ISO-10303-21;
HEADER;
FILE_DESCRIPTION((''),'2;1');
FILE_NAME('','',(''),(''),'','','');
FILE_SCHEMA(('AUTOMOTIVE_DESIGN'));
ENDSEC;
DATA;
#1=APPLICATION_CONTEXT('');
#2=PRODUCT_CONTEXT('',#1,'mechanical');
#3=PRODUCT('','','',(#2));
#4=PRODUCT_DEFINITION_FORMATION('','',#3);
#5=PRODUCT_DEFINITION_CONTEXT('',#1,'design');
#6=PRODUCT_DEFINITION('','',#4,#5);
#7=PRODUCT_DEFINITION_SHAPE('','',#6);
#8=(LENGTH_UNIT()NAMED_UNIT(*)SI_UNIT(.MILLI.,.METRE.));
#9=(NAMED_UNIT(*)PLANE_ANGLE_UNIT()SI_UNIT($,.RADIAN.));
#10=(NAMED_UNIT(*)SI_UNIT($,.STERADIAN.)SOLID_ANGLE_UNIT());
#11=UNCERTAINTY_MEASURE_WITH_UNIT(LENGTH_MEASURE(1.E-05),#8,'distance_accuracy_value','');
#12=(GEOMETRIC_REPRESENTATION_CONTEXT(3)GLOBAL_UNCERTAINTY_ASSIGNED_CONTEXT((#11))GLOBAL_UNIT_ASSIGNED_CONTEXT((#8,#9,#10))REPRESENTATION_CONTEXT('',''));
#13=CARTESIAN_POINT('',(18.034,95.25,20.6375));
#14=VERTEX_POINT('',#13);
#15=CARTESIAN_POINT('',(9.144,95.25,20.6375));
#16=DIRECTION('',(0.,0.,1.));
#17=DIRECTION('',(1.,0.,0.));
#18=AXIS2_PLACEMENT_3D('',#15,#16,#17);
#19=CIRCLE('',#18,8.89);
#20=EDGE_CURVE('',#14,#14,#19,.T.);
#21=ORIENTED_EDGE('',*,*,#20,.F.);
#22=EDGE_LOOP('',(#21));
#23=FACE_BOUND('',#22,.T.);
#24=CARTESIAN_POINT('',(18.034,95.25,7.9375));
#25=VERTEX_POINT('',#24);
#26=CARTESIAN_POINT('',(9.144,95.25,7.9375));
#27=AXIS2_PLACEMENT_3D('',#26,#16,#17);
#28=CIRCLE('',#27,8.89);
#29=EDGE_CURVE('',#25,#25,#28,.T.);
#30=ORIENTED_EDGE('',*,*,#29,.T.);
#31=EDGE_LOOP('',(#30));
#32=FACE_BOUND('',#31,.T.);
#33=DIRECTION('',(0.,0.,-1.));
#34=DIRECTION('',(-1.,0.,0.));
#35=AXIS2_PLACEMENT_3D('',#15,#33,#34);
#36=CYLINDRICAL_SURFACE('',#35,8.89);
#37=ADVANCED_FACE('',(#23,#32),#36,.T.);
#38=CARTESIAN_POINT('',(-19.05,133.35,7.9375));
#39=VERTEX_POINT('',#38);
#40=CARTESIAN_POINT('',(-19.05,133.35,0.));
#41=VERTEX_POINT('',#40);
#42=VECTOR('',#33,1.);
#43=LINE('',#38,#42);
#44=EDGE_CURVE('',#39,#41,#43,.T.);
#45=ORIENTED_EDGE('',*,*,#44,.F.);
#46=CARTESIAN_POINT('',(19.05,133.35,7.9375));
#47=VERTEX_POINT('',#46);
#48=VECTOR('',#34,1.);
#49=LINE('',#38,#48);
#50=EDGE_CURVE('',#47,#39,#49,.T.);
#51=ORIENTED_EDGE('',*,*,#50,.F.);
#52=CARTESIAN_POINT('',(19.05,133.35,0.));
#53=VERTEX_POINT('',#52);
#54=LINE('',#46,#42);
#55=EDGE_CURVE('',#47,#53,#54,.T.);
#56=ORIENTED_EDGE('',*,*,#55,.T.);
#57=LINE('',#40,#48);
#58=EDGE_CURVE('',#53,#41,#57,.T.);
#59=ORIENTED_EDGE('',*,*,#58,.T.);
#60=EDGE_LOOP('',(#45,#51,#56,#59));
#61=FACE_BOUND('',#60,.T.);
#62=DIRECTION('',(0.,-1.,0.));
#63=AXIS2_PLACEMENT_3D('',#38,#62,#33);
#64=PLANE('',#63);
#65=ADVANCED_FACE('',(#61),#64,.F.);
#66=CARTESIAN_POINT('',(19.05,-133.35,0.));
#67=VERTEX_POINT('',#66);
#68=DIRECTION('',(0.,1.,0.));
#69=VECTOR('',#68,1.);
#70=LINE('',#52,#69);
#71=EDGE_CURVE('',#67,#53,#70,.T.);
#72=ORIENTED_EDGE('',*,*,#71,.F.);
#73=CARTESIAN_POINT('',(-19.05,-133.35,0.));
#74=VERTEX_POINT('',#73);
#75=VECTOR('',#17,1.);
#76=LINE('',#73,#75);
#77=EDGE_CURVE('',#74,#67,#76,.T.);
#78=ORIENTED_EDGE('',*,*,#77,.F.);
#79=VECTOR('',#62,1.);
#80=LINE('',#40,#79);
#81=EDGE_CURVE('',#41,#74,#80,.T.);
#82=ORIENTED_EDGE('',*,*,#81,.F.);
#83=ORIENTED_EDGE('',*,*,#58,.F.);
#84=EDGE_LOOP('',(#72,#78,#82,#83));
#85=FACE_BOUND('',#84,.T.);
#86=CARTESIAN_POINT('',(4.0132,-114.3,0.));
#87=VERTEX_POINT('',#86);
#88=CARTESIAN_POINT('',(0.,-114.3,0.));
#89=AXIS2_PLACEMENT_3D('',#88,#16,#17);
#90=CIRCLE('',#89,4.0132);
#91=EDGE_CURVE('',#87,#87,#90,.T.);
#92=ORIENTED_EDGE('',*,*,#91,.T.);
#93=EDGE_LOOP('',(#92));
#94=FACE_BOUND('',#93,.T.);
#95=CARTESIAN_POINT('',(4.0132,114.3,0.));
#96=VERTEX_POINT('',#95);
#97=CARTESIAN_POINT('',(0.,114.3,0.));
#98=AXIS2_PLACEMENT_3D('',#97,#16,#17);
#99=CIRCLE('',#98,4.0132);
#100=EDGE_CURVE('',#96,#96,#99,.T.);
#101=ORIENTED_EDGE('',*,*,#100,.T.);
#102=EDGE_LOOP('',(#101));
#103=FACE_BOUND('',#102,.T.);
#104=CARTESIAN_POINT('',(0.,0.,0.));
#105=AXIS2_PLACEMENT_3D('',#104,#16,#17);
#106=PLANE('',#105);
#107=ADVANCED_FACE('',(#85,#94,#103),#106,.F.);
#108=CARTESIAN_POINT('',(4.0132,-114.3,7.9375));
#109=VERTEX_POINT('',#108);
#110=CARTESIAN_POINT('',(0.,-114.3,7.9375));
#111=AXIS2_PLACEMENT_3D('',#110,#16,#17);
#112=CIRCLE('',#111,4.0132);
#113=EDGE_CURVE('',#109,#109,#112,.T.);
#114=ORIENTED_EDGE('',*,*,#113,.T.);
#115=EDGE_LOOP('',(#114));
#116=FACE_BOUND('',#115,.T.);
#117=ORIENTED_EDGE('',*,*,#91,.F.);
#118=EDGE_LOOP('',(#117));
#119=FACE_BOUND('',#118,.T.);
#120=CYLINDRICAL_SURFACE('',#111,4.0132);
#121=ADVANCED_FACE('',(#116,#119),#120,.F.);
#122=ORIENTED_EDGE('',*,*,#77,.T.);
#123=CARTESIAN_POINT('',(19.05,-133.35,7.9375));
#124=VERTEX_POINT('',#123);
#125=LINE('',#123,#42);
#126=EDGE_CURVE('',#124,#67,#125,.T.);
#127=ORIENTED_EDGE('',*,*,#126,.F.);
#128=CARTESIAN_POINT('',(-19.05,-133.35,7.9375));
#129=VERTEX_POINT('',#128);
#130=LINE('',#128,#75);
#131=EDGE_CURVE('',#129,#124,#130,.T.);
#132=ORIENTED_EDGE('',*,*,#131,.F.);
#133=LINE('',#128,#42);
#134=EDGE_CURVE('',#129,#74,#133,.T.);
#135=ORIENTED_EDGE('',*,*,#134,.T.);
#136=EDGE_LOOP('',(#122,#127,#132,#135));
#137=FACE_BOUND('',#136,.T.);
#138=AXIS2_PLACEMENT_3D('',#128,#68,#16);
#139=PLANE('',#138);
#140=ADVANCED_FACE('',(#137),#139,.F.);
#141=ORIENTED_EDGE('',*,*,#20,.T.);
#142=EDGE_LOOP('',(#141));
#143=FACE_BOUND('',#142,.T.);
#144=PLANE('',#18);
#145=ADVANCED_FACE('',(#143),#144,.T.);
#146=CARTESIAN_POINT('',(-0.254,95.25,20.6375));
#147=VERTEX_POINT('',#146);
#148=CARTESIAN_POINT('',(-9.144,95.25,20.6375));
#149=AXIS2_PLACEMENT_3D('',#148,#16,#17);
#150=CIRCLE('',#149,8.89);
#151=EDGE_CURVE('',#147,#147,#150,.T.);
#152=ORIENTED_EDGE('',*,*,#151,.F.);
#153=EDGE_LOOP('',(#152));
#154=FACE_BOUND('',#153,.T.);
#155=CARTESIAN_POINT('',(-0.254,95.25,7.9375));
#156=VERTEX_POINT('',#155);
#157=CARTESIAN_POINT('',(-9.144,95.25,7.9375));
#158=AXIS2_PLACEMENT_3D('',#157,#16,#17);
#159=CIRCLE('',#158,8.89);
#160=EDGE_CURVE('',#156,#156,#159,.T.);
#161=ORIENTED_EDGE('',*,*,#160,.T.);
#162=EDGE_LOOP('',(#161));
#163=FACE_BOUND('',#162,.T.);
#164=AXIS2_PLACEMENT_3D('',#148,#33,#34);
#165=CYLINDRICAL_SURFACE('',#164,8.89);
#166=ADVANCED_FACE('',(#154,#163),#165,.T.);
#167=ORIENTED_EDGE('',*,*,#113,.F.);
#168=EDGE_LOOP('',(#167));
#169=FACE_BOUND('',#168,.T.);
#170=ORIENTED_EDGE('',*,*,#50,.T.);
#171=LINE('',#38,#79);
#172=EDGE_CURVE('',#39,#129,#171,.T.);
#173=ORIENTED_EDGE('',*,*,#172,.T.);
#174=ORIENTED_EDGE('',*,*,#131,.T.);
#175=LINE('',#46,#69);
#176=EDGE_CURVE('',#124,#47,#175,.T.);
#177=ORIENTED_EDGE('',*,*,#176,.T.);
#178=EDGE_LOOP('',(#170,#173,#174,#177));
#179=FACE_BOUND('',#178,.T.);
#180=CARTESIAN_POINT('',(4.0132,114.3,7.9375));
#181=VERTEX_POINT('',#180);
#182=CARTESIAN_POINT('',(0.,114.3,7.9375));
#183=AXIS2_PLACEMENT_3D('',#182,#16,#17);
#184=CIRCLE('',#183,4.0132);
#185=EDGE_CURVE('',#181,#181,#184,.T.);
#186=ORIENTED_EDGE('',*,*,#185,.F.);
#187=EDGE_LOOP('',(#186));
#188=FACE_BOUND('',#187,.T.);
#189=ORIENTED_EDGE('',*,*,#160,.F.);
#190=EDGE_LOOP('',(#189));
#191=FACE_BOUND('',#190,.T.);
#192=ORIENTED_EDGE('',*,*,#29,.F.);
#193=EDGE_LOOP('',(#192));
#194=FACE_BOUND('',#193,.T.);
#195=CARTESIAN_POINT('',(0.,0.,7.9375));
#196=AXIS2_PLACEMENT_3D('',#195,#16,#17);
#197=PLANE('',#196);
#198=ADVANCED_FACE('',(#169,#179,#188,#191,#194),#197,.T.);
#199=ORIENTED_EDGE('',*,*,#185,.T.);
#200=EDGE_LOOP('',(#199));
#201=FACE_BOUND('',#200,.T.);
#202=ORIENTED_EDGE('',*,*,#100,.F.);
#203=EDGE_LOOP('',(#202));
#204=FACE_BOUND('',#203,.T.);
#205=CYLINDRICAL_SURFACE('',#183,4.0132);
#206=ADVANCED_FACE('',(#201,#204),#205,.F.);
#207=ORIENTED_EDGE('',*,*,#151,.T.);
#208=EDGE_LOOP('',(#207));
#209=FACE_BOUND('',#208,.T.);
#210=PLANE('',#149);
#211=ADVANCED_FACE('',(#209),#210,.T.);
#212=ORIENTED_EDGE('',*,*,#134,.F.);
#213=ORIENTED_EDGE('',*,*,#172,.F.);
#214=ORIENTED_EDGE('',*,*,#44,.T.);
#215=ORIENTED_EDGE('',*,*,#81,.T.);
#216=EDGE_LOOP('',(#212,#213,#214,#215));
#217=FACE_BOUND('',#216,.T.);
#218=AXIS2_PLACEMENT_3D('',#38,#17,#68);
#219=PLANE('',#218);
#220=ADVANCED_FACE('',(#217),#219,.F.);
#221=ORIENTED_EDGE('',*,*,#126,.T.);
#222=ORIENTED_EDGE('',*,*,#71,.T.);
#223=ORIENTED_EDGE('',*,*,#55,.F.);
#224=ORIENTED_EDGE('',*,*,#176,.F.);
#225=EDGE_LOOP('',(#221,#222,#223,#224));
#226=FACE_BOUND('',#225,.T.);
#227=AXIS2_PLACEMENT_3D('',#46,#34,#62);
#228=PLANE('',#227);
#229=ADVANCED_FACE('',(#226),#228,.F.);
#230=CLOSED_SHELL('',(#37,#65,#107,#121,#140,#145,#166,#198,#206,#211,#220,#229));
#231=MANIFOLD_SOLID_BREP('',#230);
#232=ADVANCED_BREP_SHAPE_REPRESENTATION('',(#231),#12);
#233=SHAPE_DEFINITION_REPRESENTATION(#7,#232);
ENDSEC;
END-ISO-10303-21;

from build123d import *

# Parameters (mm, degrees)
SKETCH1_W                = 38.1
SKETCH1_H                = 266.7
BOSS_EXTRUDE1_DEPTH      = 7.9375
O_0_316_DIAMETER_HOLE1_D = 8.0264
SKETCH4_R                = 8.89
BOSS_EXTRUDE2_DEPTH      = 12.7


with BuildPart() as part:
    # Sketch1 → Boss-Extrude1 (new body)
    with BuildSketch(Plane.XY):
        Rectangle(SKETCH1_W, SKETCH1_H)
    extrude(amount=BOSS_EXTRUDE1_DEPTH)

    # O (0.316) Diameter Hole1 (through all)
    with Locations(Plane.XY.offset(7.9375)):
        with Locations((0, 114.3)):
            o_0_316_diameter_hole1 = Hole(O_0_316_DIAMETER_HOLE1_D / 2)

    # Mirror1: O (0.316) Diameter Hole1 across plane
    add(o_0_316_diameter_hole1.mirror(Plane.ZX), mode=Mode.SUBTRACT)

    # Sketch4 → Boss-Extrude2 (add)
    with BuildSketch(Plane.XY.offset(7.9375)):
        with Locations((-9.144, 95.25)):
            Circle(SKETCH4_R)
        with Locations((9.144, 95.25)):
            Circle(SKETCH4_R)
    extrude(amount=BOSS_EXTRUDE2_DEPTH)


solid = part.part
